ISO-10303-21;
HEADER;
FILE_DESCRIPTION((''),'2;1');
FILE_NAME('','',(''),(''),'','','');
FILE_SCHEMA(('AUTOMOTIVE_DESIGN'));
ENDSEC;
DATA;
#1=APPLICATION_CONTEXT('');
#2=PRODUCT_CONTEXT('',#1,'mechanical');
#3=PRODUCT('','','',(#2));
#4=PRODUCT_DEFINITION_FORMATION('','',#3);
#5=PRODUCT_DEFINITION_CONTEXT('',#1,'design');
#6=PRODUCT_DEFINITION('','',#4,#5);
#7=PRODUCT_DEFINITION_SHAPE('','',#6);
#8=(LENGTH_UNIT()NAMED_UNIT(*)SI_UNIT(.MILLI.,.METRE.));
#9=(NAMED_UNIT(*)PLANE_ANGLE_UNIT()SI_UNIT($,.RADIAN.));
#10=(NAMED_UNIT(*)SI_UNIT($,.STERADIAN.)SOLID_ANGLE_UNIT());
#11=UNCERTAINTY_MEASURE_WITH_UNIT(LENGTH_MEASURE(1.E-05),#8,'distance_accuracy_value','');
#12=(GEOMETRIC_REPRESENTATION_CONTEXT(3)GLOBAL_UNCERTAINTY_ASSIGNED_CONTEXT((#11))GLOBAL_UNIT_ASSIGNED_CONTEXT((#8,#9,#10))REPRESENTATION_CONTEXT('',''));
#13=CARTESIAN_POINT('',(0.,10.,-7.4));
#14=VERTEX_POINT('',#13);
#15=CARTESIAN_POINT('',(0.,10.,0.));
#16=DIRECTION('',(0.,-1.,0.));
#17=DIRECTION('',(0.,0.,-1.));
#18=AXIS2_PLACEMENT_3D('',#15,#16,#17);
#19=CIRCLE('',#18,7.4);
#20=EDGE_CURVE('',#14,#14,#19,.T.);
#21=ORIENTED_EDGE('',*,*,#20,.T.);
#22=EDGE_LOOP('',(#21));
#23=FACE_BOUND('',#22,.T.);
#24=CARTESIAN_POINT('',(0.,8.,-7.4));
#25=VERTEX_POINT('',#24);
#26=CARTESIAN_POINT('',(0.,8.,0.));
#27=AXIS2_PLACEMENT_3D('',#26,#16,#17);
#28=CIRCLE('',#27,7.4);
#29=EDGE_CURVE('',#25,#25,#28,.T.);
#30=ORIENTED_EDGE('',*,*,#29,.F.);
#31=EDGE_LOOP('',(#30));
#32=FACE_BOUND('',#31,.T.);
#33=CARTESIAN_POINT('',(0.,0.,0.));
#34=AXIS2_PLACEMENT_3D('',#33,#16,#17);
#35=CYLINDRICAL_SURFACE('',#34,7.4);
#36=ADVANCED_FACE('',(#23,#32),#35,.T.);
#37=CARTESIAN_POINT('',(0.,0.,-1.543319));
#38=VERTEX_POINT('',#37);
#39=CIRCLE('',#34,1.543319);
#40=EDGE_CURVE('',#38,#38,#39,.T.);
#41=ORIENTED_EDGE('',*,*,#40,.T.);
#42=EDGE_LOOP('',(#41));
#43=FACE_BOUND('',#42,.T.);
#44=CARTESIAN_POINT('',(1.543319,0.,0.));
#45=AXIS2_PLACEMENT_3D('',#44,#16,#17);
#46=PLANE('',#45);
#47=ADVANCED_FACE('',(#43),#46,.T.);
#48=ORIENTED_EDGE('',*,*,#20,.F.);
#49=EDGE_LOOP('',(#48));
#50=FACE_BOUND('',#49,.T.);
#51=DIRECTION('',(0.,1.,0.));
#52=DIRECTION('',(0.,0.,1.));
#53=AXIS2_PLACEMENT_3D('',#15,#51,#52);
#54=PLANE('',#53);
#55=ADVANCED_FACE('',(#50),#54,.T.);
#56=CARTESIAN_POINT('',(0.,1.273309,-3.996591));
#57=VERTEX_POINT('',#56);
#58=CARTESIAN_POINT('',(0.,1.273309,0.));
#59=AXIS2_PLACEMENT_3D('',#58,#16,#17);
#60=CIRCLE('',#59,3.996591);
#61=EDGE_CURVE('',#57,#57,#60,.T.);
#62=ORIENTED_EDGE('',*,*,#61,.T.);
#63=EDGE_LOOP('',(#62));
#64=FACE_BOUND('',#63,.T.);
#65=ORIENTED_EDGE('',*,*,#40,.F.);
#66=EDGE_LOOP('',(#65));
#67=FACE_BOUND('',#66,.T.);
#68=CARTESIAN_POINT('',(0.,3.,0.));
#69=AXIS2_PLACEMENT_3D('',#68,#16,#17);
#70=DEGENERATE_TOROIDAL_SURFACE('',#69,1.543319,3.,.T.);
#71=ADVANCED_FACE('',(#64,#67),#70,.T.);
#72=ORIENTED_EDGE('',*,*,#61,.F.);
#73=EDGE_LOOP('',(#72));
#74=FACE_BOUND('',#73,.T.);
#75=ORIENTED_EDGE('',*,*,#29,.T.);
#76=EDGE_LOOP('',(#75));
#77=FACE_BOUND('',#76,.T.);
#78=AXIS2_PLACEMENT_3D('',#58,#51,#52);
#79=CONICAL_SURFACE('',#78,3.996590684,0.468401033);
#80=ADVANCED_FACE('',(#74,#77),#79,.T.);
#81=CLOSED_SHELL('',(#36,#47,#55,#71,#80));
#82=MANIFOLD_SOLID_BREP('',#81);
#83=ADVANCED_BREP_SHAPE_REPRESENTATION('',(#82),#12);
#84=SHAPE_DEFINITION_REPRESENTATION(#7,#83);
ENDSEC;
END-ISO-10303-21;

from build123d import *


with BuildPart() as part:
    # Croquis1 → Revolución1 (revolve)
    with BuildSketch(Plane.XY):
        with BuildLine():
            Line((0, 0), (0, 10))
            Line((0, 10), (7.4, 10))
            Line((7.4, 10), (7.4, 8))
            Line((7.4, 8), (3.996590684, 1.273309447))
            ThreePointArc((3.996590684, 1.273309447), (2.925333986, 0.337287881), (1.543319453, 0))
            Line((1.543319453, 0), (0, 0))
        make_face()
    revolve(axis=Axis((0, 0, 0), (0, 1, 0)))


solid = part.part
